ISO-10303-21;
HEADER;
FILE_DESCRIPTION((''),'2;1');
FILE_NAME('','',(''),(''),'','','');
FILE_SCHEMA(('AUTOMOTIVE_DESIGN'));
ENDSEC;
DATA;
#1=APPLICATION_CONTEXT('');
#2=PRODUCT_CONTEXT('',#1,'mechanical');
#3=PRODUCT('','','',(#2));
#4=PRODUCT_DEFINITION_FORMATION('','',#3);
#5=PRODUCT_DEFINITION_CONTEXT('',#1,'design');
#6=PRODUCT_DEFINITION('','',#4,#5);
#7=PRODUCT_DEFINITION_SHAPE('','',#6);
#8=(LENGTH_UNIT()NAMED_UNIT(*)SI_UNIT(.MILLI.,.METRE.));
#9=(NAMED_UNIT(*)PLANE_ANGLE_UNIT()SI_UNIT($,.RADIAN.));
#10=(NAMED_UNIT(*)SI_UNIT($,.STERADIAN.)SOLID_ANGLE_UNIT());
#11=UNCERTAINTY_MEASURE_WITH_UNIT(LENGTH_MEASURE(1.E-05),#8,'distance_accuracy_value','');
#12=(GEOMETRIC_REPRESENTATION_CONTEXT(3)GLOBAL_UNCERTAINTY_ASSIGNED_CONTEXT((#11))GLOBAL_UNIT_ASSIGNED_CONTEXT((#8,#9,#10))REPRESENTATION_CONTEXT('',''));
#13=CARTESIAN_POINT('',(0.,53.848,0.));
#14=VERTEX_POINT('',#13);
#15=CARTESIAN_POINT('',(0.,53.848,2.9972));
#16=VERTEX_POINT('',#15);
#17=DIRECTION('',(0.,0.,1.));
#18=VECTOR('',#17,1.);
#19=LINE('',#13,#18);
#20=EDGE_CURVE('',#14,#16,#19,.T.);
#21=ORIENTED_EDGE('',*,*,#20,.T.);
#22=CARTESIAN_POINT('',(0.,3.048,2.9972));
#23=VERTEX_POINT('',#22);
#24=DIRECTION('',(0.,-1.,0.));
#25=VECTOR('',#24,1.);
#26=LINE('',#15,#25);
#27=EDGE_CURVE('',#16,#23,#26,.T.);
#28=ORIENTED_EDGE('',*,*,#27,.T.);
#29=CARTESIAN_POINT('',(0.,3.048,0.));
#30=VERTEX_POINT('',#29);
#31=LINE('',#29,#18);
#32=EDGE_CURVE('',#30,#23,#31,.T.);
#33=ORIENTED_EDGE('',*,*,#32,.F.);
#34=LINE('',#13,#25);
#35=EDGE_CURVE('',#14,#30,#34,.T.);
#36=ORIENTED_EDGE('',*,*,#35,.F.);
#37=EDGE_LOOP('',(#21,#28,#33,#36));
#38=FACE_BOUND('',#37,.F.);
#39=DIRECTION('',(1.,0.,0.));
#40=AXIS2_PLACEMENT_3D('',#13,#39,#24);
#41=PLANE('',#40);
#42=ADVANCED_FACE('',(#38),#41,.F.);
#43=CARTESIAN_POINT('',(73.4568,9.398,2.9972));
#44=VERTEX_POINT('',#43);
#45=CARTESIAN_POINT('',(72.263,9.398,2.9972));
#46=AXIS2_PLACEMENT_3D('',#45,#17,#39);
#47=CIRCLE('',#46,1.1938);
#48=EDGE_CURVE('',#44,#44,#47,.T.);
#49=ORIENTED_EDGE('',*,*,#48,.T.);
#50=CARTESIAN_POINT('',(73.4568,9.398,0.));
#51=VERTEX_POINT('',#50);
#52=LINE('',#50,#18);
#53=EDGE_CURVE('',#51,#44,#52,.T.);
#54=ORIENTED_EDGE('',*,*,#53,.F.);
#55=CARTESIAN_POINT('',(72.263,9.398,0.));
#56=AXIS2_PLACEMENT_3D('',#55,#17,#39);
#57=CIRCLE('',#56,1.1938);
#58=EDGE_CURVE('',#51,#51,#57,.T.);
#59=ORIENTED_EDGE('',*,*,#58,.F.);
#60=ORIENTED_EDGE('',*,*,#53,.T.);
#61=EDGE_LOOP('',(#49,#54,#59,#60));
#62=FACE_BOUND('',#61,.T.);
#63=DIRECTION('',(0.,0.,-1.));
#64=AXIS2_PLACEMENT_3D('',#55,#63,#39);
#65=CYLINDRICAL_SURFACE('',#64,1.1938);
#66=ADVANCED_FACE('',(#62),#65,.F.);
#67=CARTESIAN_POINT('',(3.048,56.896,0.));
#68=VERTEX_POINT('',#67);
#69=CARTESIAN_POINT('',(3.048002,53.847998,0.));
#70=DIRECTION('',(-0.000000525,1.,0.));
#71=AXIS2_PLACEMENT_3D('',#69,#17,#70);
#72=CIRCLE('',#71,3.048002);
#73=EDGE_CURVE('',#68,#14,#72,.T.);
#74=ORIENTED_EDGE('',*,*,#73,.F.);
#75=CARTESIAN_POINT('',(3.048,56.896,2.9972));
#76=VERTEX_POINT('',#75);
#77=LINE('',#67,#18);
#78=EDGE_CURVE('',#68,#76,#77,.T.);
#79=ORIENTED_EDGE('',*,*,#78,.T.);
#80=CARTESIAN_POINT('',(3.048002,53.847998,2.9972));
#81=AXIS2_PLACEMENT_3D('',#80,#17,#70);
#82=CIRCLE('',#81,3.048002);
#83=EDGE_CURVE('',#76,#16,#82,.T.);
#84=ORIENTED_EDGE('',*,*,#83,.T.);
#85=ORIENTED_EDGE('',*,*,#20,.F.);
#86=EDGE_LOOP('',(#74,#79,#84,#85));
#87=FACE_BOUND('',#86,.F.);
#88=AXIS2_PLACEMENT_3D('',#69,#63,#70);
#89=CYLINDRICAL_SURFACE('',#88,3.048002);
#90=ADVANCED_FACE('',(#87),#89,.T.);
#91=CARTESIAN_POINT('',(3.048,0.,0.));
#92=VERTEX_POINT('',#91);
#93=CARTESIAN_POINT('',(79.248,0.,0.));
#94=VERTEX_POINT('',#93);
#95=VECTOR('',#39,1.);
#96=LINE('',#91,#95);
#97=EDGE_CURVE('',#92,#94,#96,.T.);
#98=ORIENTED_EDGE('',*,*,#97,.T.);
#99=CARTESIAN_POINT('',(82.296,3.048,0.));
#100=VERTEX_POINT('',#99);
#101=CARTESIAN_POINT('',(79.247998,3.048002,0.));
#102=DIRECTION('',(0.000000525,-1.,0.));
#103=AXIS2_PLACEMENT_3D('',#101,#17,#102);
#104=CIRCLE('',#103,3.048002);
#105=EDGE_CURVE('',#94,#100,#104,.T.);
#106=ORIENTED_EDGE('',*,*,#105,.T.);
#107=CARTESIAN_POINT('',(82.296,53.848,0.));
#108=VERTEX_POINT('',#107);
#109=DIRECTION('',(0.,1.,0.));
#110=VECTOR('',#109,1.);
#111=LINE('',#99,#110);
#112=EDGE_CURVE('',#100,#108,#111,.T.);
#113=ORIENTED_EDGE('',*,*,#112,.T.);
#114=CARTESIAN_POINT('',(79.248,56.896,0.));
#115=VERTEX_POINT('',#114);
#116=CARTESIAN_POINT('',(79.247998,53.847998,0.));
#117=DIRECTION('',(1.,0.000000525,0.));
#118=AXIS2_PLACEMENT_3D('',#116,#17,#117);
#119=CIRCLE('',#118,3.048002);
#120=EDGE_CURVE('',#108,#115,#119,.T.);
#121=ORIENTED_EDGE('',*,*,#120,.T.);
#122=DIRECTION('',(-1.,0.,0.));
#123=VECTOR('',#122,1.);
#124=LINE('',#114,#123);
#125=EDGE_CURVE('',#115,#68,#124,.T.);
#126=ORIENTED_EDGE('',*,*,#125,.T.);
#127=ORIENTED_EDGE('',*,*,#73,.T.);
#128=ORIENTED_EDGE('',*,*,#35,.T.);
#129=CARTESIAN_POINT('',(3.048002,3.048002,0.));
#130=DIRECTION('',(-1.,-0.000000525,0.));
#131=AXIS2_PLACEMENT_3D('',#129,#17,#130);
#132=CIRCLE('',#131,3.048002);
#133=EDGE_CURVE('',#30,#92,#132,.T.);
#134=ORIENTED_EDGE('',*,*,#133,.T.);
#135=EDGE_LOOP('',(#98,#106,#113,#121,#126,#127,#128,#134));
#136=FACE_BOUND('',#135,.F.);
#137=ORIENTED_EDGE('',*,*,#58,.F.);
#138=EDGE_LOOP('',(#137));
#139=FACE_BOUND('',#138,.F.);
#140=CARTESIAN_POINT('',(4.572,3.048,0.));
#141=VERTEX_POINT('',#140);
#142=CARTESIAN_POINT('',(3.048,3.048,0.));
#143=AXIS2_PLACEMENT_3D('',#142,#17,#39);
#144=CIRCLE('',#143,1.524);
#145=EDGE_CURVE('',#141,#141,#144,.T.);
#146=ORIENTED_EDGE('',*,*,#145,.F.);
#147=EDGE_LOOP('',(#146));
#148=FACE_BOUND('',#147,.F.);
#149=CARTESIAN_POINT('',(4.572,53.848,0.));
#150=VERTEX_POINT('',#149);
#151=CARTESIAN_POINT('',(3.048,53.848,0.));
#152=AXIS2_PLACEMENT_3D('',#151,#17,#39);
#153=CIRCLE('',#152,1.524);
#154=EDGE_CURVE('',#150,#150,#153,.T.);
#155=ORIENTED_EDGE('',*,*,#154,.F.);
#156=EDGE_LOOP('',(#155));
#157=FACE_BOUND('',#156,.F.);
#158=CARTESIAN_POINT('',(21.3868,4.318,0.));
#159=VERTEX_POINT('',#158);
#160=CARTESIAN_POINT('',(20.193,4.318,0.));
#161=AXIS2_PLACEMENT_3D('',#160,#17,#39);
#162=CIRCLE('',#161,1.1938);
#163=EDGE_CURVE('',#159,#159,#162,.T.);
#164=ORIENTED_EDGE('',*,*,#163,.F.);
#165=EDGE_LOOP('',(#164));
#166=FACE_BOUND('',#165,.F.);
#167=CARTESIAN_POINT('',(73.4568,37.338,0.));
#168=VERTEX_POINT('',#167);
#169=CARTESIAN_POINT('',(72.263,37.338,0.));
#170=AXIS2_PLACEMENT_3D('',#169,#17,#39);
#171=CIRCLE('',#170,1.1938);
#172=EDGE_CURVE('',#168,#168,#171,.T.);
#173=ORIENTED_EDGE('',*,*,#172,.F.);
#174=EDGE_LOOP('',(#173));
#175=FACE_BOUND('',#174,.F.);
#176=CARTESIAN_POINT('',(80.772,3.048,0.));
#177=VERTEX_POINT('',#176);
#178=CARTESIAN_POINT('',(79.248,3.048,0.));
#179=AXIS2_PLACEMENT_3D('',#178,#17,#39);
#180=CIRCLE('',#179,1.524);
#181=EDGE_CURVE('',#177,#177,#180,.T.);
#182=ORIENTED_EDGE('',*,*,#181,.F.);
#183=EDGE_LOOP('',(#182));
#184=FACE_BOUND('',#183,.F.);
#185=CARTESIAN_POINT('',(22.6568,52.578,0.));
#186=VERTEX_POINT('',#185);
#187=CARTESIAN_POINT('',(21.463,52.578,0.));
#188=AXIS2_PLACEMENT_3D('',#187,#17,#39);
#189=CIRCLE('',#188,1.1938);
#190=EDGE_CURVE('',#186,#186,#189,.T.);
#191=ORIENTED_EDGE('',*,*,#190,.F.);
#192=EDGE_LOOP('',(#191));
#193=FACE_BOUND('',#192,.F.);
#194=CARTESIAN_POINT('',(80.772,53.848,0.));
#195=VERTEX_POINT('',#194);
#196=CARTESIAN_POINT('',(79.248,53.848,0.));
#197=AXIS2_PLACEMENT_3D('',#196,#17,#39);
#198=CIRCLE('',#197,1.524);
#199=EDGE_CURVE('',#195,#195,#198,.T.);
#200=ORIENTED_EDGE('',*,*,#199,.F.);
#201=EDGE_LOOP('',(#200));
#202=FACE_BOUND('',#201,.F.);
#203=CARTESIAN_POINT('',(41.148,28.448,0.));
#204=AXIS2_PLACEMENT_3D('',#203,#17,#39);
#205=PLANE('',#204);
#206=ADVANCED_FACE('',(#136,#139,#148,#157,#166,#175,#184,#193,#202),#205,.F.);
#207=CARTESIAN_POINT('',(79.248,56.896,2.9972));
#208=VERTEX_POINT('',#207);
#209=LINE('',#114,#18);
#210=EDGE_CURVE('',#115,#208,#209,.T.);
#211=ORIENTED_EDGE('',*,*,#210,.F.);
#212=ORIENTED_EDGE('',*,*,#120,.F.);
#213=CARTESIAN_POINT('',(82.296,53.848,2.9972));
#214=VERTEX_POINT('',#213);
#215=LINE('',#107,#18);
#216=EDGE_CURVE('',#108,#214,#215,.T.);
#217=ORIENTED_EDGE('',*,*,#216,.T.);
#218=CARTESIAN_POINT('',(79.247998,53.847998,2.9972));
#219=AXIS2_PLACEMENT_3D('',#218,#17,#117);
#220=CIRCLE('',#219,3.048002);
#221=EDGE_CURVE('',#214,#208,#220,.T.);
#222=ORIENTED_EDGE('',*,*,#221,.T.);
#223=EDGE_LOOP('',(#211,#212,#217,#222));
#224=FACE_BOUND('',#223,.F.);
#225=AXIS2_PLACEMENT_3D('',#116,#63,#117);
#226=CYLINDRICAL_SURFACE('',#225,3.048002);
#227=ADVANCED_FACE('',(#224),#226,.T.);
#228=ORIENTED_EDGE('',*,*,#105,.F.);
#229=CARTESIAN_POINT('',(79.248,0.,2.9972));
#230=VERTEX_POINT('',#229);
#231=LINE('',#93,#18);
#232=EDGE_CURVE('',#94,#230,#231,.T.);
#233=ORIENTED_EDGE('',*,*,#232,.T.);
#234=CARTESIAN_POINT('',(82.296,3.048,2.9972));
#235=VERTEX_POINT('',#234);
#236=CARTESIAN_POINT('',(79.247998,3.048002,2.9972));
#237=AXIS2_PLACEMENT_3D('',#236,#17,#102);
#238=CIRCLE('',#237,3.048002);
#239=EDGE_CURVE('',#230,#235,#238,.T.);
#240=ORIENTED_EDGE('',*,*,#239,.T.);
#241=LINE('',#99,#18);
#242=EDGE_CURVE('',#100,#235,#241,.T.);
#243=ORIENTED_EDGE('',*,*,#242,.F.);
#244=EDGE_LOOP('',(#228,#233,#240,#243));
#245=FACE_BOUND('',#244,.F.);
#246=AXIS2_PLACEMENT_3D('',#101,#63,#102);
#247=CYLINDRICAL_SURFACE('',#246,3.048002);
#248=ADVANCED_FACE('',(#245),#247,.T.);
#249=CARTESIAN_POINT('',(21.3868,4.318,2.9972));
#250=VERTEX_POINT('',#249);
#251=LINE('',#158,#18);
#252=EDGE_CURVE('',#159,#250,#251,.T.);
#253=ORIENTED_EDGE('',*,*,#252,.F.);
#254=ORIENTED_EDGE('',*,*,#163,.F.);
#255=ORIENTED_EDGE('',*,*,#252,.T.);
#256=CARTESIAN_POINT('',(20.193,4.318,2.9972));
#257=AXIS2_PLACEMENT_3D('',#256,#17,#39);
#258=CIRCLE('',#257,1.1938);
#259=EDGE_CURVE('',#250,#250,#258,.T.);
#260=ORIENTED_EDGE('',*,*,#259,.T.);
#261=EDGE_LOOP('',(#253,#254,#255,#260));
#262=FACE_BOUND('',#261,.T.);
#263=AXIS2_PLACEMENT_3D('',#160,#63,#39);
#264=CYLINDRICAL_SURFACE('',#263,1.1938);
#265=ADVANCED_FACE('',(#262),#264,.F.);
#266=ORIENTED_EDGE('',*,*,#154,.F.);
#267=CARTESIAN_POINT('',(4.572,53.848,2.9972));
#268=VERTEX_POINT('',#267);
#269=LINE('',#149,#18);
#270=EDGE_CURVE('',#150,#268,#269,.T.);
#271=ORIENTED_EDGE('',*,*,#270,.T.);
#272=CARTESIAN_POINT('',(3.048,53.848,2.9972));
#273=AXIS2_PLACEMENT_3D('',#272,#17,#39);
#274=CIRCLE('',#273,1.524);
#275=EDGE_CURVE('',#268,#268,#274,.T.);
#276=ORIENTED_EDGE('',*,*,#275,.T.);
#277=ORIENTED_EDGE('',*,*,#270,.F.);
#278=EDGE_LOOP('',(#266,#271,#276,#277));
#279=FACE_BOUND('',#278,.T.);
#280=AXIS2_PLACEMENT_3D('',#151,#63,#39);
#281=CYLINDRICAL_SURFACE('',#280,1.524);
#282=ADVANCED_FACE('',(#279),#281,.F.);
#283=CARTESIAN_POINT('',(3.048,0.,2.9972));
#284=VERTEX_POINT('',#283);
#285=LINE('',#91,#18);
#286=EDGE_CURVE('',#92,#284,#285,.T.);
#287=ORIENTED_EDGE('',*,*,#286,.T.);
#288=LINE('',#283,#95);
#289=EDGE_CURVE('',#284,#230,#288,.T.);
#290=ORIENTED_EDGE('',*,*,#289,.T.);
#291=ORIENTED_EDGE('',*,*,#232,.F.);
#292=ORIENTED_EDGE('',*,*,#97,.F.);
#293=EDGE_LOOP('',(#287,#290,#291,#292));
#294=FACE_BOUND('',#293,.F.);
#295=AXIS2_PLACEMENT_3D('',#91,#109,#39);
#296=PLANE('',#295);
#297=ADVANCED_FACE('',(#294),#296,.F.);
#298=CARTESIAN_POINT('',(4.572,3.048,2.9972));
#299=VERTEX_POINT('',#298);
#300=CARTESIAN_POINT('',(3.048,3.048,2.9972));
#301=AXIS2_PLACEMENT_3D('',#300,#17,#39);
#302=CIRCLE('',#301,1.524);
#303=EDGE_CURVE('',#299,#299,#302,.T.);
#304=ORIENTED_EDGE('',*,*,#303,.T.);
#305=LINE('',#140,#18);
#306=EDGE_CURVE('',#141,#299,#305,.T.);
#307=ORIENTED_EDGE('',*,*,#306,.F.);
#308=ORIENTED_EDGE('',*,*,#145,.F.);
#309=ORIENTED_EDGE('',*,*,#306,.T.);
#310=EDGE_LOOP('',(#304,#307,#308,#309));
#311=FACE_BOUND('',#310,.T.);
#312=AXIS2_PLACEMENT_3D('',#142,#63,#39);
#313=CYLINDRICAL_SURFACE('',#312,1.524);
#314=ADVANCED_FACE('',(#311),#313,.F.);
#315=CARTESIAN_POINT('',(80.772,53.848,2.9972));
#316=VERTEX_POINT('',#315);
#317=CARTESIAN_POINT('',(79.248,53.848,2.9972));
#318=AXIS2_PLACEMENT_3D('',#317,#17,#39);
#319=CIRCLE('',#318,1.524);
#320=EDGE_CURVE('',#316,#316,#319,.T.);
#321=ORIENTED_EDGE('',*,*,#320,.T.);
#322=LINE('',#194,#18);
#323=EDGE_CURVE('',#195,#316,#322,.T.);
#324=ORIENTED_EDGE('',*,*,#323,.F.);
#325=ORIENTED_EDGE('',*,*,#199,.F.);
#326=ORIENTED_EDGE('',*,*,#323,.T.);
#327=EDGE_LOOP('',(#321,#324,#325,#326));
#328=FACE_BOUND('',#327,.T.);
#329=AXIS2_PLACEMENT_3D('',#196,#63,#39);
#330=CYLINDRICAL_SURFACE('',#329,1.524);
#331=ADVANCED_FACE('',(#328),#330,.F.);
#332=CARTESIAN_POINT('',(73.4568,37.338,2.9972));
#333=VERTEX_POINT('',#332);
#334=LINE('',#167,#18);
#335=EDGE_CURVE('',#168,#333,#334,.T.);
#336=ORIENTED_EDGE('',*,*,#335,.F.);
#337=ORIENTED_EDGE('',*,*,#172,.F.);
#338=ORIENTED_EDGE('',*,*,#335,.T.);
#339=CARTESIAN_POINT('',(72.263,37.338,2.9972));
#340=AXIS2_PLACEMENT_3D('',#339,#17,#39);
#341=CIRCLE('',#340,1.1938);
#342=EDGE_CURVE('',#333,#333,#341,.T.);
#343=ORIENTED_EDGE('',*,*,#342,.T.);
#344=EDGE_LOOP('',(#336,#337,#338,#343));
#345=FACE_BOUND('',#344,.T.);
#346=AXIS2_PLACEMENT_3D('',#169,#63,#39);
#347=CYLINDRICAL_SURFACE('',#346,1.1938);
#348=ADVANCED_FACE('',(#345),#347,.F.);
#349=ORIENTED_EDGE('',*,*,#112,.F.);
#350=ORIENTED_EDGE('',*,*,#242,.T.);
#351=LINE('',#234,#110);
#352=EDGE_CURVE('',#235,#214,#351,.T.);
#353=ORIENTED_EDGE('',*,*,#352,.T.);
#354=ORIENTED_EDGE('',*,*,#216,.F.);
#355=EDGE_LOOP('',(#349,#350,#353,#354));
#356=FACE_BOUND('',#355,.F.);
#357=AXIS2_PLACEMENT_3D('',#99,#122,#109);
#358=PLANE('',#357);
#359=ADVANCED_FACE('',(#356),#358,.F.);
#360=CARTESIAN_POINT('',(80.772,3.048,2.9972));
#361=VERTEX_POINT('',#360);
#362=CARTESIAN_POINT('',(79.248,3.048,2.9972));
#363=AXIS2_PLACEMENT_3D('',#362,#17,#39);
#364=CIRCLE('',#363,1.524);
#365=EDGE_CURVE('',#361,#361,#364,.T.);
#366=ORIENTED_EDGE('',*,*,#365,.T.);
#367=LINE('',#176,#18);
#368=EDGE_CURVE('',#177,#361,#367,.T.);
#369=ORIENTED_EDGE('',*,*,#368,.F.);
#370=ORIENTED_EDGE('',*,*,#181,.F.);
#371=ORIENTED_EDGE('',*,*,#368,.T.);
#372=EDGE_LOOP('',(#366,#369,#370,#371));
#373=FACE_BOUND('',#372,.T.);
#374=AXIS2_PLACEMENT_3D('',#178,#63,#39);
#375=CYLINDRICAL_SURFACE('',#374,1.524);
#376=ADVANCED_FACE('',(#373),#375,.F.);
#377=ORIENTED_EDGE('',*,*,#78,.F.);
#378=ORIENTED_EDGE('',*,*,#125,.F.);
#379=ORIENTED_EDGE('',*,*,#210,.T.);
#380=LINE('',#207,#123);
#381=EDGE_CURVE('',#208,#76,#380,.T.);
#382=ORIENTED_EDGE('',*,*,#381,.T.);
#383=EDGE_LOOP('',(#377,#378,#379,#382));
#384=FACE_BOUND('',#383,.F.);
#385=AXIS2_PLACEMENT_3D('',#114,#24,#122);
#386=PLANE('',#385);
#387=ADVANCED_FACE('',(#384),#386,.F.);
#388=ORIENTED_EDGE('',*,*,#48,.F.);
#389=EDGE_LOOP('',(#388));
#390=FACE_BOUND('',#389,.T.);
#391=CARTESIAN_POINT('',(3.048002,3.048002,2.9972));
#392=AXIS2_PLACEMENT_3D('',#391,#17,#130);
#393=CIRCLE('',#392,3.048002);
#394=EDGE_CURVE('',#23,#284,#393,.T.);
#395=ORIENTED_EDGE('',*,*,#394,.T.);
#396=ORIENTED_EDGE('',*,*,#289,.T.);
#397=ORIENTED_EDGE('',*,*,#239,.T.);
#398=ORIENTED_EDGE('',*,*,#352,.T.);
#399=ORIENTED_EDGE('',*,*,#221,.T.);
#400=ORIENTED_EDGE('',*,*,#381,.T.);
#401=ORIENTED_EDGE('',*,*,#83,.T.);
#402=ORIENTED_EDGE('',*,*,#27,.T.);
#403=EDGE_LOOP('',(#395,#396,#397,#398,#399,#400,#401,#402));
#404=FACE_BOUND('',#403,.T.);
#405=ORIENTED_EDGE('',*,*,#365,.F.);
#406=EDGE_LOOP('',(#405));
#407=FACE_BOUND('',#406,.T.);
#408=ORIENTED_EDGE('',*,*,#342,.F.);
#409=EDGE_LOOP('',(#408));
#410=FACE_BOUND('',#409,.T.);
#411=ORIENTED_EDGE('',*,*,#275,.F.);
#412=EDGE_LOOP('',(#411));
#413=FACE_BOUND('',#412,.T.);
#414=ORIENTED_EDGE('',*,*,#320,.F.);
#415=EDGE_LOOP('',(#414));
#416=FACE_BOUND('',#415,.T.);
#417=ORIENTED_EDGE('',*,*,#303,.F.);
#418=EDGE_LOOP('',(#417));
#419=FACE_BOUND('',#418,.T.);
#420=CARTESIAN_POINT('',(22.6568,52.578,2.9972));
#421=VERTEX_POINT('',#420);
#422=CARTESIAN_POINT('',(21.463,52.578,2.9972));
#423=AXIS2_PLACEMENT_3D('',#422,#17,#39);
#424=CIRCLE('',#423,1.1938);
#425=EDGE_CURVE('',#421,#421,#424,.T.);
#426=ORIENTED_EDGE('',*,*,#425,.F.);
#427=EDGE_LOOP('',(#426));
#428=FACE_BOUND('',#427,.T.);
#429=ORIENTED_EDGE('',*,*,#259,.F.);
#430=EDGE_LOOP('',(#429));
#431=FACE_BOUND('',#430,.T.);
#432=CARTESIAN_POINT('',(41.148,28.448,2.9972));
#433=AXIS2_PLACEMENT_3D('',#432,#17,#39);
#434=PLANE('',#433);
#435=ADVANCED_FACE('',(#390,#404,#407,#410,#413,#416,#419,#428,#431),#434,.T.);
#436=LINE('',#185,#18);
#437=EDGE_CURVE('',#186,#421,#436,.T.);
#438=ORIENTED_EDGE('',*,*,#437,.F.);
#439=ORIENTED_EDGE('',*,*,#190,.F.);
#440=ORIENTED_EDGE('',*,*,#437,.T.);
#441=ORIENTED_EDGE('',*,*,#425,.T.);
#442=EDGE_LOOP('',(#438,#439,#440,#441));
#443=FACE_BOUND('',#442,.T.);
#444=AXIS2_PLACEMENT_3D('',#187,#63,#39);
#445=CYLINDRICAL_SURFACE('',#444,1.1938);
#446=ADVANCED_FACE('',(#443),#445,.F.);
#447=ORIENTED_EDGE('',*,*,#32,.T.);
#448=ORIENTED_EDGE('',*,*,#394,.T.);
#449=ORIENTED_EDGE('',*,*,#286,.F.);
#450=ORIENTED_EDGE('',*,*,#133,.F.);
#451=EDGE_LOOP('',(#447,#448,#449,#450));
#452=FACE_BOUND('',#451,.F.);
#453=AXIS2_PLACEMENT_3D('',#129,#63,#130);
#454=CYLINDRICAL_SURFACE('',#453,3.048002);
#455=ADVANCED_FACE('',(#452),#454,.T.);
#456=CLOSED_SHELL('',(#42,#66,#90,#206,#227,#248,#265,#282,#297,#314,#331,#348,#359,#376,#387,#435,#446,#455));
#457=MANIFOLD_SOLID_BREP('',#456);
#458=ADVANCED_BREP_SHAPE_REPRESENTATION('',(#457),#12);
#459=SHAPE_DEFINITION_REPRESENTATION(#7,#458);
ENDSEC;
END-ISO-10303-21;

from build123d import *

# Parameters (mm, degrees)
F0_R     = 1.524
F0_R_2   = 1.1938
F1_DEPTH = 2.9972


with BuildPart() as f1:
    # F0 (on Top) → F1 (new body)
    with BuildSketch(Plane.XY):
        with BuildLine():
            ThreePointArc((0, 3.048), (0.892739, 0.892739), (3.048, 0))
            Line((3.048, 0), (79.248, 0))
            ThreePointArc((79.248, 0), (81.403261, 0.892739), (82.296, 3.048))
            Line((82.296, 3.048), (82.296, 53.848))
            ThreePointArc((82.296, 53.848), (81.403261, 56.003261), (79.248, 56.896))
            Line((79.248, 56.896), (3.048, 56.896))
            ThreePointArc((3.048, 56.896), (0.892739, 56.003261), (0, 53.848))
            Line((0, 53.848), (0, 3.048))
        make_face()
        with Locations((3.048, 3.048)):
            Circle(F0_R, mode=Mode.SUBTRACT)
        with Locations((20.193, 4.318)):
            Circle(F0_R_2, mode=Mode.SUBTRACT)
        with Locations((79.248, 3.048)):
            Circle(F0_R, mode=Mode.SUBTRACT)
        with Locations((72.263, 9.398)):
            Circle(F0_R_2, mode=Mode.SUBTRACT)
        with Locations((3.048, 53.848)):
            Circle(F0_R, mode=Mode.SUBTRACT)
        with Locations((21.463, 52.578)):
            Circle(F0_R_2, mode=Mode.SUBTRACT)
        with Locations((72.263, 37.338)):
            Circle(F0_R_2, mode=Mode.SUBTRACT)
        with Locations((79.248, 53.848)):
            Circle(F0_R, mode=Mode.SUBTRACT)
    extrude(amount=F1_DEPTH)


solid = f1.part
